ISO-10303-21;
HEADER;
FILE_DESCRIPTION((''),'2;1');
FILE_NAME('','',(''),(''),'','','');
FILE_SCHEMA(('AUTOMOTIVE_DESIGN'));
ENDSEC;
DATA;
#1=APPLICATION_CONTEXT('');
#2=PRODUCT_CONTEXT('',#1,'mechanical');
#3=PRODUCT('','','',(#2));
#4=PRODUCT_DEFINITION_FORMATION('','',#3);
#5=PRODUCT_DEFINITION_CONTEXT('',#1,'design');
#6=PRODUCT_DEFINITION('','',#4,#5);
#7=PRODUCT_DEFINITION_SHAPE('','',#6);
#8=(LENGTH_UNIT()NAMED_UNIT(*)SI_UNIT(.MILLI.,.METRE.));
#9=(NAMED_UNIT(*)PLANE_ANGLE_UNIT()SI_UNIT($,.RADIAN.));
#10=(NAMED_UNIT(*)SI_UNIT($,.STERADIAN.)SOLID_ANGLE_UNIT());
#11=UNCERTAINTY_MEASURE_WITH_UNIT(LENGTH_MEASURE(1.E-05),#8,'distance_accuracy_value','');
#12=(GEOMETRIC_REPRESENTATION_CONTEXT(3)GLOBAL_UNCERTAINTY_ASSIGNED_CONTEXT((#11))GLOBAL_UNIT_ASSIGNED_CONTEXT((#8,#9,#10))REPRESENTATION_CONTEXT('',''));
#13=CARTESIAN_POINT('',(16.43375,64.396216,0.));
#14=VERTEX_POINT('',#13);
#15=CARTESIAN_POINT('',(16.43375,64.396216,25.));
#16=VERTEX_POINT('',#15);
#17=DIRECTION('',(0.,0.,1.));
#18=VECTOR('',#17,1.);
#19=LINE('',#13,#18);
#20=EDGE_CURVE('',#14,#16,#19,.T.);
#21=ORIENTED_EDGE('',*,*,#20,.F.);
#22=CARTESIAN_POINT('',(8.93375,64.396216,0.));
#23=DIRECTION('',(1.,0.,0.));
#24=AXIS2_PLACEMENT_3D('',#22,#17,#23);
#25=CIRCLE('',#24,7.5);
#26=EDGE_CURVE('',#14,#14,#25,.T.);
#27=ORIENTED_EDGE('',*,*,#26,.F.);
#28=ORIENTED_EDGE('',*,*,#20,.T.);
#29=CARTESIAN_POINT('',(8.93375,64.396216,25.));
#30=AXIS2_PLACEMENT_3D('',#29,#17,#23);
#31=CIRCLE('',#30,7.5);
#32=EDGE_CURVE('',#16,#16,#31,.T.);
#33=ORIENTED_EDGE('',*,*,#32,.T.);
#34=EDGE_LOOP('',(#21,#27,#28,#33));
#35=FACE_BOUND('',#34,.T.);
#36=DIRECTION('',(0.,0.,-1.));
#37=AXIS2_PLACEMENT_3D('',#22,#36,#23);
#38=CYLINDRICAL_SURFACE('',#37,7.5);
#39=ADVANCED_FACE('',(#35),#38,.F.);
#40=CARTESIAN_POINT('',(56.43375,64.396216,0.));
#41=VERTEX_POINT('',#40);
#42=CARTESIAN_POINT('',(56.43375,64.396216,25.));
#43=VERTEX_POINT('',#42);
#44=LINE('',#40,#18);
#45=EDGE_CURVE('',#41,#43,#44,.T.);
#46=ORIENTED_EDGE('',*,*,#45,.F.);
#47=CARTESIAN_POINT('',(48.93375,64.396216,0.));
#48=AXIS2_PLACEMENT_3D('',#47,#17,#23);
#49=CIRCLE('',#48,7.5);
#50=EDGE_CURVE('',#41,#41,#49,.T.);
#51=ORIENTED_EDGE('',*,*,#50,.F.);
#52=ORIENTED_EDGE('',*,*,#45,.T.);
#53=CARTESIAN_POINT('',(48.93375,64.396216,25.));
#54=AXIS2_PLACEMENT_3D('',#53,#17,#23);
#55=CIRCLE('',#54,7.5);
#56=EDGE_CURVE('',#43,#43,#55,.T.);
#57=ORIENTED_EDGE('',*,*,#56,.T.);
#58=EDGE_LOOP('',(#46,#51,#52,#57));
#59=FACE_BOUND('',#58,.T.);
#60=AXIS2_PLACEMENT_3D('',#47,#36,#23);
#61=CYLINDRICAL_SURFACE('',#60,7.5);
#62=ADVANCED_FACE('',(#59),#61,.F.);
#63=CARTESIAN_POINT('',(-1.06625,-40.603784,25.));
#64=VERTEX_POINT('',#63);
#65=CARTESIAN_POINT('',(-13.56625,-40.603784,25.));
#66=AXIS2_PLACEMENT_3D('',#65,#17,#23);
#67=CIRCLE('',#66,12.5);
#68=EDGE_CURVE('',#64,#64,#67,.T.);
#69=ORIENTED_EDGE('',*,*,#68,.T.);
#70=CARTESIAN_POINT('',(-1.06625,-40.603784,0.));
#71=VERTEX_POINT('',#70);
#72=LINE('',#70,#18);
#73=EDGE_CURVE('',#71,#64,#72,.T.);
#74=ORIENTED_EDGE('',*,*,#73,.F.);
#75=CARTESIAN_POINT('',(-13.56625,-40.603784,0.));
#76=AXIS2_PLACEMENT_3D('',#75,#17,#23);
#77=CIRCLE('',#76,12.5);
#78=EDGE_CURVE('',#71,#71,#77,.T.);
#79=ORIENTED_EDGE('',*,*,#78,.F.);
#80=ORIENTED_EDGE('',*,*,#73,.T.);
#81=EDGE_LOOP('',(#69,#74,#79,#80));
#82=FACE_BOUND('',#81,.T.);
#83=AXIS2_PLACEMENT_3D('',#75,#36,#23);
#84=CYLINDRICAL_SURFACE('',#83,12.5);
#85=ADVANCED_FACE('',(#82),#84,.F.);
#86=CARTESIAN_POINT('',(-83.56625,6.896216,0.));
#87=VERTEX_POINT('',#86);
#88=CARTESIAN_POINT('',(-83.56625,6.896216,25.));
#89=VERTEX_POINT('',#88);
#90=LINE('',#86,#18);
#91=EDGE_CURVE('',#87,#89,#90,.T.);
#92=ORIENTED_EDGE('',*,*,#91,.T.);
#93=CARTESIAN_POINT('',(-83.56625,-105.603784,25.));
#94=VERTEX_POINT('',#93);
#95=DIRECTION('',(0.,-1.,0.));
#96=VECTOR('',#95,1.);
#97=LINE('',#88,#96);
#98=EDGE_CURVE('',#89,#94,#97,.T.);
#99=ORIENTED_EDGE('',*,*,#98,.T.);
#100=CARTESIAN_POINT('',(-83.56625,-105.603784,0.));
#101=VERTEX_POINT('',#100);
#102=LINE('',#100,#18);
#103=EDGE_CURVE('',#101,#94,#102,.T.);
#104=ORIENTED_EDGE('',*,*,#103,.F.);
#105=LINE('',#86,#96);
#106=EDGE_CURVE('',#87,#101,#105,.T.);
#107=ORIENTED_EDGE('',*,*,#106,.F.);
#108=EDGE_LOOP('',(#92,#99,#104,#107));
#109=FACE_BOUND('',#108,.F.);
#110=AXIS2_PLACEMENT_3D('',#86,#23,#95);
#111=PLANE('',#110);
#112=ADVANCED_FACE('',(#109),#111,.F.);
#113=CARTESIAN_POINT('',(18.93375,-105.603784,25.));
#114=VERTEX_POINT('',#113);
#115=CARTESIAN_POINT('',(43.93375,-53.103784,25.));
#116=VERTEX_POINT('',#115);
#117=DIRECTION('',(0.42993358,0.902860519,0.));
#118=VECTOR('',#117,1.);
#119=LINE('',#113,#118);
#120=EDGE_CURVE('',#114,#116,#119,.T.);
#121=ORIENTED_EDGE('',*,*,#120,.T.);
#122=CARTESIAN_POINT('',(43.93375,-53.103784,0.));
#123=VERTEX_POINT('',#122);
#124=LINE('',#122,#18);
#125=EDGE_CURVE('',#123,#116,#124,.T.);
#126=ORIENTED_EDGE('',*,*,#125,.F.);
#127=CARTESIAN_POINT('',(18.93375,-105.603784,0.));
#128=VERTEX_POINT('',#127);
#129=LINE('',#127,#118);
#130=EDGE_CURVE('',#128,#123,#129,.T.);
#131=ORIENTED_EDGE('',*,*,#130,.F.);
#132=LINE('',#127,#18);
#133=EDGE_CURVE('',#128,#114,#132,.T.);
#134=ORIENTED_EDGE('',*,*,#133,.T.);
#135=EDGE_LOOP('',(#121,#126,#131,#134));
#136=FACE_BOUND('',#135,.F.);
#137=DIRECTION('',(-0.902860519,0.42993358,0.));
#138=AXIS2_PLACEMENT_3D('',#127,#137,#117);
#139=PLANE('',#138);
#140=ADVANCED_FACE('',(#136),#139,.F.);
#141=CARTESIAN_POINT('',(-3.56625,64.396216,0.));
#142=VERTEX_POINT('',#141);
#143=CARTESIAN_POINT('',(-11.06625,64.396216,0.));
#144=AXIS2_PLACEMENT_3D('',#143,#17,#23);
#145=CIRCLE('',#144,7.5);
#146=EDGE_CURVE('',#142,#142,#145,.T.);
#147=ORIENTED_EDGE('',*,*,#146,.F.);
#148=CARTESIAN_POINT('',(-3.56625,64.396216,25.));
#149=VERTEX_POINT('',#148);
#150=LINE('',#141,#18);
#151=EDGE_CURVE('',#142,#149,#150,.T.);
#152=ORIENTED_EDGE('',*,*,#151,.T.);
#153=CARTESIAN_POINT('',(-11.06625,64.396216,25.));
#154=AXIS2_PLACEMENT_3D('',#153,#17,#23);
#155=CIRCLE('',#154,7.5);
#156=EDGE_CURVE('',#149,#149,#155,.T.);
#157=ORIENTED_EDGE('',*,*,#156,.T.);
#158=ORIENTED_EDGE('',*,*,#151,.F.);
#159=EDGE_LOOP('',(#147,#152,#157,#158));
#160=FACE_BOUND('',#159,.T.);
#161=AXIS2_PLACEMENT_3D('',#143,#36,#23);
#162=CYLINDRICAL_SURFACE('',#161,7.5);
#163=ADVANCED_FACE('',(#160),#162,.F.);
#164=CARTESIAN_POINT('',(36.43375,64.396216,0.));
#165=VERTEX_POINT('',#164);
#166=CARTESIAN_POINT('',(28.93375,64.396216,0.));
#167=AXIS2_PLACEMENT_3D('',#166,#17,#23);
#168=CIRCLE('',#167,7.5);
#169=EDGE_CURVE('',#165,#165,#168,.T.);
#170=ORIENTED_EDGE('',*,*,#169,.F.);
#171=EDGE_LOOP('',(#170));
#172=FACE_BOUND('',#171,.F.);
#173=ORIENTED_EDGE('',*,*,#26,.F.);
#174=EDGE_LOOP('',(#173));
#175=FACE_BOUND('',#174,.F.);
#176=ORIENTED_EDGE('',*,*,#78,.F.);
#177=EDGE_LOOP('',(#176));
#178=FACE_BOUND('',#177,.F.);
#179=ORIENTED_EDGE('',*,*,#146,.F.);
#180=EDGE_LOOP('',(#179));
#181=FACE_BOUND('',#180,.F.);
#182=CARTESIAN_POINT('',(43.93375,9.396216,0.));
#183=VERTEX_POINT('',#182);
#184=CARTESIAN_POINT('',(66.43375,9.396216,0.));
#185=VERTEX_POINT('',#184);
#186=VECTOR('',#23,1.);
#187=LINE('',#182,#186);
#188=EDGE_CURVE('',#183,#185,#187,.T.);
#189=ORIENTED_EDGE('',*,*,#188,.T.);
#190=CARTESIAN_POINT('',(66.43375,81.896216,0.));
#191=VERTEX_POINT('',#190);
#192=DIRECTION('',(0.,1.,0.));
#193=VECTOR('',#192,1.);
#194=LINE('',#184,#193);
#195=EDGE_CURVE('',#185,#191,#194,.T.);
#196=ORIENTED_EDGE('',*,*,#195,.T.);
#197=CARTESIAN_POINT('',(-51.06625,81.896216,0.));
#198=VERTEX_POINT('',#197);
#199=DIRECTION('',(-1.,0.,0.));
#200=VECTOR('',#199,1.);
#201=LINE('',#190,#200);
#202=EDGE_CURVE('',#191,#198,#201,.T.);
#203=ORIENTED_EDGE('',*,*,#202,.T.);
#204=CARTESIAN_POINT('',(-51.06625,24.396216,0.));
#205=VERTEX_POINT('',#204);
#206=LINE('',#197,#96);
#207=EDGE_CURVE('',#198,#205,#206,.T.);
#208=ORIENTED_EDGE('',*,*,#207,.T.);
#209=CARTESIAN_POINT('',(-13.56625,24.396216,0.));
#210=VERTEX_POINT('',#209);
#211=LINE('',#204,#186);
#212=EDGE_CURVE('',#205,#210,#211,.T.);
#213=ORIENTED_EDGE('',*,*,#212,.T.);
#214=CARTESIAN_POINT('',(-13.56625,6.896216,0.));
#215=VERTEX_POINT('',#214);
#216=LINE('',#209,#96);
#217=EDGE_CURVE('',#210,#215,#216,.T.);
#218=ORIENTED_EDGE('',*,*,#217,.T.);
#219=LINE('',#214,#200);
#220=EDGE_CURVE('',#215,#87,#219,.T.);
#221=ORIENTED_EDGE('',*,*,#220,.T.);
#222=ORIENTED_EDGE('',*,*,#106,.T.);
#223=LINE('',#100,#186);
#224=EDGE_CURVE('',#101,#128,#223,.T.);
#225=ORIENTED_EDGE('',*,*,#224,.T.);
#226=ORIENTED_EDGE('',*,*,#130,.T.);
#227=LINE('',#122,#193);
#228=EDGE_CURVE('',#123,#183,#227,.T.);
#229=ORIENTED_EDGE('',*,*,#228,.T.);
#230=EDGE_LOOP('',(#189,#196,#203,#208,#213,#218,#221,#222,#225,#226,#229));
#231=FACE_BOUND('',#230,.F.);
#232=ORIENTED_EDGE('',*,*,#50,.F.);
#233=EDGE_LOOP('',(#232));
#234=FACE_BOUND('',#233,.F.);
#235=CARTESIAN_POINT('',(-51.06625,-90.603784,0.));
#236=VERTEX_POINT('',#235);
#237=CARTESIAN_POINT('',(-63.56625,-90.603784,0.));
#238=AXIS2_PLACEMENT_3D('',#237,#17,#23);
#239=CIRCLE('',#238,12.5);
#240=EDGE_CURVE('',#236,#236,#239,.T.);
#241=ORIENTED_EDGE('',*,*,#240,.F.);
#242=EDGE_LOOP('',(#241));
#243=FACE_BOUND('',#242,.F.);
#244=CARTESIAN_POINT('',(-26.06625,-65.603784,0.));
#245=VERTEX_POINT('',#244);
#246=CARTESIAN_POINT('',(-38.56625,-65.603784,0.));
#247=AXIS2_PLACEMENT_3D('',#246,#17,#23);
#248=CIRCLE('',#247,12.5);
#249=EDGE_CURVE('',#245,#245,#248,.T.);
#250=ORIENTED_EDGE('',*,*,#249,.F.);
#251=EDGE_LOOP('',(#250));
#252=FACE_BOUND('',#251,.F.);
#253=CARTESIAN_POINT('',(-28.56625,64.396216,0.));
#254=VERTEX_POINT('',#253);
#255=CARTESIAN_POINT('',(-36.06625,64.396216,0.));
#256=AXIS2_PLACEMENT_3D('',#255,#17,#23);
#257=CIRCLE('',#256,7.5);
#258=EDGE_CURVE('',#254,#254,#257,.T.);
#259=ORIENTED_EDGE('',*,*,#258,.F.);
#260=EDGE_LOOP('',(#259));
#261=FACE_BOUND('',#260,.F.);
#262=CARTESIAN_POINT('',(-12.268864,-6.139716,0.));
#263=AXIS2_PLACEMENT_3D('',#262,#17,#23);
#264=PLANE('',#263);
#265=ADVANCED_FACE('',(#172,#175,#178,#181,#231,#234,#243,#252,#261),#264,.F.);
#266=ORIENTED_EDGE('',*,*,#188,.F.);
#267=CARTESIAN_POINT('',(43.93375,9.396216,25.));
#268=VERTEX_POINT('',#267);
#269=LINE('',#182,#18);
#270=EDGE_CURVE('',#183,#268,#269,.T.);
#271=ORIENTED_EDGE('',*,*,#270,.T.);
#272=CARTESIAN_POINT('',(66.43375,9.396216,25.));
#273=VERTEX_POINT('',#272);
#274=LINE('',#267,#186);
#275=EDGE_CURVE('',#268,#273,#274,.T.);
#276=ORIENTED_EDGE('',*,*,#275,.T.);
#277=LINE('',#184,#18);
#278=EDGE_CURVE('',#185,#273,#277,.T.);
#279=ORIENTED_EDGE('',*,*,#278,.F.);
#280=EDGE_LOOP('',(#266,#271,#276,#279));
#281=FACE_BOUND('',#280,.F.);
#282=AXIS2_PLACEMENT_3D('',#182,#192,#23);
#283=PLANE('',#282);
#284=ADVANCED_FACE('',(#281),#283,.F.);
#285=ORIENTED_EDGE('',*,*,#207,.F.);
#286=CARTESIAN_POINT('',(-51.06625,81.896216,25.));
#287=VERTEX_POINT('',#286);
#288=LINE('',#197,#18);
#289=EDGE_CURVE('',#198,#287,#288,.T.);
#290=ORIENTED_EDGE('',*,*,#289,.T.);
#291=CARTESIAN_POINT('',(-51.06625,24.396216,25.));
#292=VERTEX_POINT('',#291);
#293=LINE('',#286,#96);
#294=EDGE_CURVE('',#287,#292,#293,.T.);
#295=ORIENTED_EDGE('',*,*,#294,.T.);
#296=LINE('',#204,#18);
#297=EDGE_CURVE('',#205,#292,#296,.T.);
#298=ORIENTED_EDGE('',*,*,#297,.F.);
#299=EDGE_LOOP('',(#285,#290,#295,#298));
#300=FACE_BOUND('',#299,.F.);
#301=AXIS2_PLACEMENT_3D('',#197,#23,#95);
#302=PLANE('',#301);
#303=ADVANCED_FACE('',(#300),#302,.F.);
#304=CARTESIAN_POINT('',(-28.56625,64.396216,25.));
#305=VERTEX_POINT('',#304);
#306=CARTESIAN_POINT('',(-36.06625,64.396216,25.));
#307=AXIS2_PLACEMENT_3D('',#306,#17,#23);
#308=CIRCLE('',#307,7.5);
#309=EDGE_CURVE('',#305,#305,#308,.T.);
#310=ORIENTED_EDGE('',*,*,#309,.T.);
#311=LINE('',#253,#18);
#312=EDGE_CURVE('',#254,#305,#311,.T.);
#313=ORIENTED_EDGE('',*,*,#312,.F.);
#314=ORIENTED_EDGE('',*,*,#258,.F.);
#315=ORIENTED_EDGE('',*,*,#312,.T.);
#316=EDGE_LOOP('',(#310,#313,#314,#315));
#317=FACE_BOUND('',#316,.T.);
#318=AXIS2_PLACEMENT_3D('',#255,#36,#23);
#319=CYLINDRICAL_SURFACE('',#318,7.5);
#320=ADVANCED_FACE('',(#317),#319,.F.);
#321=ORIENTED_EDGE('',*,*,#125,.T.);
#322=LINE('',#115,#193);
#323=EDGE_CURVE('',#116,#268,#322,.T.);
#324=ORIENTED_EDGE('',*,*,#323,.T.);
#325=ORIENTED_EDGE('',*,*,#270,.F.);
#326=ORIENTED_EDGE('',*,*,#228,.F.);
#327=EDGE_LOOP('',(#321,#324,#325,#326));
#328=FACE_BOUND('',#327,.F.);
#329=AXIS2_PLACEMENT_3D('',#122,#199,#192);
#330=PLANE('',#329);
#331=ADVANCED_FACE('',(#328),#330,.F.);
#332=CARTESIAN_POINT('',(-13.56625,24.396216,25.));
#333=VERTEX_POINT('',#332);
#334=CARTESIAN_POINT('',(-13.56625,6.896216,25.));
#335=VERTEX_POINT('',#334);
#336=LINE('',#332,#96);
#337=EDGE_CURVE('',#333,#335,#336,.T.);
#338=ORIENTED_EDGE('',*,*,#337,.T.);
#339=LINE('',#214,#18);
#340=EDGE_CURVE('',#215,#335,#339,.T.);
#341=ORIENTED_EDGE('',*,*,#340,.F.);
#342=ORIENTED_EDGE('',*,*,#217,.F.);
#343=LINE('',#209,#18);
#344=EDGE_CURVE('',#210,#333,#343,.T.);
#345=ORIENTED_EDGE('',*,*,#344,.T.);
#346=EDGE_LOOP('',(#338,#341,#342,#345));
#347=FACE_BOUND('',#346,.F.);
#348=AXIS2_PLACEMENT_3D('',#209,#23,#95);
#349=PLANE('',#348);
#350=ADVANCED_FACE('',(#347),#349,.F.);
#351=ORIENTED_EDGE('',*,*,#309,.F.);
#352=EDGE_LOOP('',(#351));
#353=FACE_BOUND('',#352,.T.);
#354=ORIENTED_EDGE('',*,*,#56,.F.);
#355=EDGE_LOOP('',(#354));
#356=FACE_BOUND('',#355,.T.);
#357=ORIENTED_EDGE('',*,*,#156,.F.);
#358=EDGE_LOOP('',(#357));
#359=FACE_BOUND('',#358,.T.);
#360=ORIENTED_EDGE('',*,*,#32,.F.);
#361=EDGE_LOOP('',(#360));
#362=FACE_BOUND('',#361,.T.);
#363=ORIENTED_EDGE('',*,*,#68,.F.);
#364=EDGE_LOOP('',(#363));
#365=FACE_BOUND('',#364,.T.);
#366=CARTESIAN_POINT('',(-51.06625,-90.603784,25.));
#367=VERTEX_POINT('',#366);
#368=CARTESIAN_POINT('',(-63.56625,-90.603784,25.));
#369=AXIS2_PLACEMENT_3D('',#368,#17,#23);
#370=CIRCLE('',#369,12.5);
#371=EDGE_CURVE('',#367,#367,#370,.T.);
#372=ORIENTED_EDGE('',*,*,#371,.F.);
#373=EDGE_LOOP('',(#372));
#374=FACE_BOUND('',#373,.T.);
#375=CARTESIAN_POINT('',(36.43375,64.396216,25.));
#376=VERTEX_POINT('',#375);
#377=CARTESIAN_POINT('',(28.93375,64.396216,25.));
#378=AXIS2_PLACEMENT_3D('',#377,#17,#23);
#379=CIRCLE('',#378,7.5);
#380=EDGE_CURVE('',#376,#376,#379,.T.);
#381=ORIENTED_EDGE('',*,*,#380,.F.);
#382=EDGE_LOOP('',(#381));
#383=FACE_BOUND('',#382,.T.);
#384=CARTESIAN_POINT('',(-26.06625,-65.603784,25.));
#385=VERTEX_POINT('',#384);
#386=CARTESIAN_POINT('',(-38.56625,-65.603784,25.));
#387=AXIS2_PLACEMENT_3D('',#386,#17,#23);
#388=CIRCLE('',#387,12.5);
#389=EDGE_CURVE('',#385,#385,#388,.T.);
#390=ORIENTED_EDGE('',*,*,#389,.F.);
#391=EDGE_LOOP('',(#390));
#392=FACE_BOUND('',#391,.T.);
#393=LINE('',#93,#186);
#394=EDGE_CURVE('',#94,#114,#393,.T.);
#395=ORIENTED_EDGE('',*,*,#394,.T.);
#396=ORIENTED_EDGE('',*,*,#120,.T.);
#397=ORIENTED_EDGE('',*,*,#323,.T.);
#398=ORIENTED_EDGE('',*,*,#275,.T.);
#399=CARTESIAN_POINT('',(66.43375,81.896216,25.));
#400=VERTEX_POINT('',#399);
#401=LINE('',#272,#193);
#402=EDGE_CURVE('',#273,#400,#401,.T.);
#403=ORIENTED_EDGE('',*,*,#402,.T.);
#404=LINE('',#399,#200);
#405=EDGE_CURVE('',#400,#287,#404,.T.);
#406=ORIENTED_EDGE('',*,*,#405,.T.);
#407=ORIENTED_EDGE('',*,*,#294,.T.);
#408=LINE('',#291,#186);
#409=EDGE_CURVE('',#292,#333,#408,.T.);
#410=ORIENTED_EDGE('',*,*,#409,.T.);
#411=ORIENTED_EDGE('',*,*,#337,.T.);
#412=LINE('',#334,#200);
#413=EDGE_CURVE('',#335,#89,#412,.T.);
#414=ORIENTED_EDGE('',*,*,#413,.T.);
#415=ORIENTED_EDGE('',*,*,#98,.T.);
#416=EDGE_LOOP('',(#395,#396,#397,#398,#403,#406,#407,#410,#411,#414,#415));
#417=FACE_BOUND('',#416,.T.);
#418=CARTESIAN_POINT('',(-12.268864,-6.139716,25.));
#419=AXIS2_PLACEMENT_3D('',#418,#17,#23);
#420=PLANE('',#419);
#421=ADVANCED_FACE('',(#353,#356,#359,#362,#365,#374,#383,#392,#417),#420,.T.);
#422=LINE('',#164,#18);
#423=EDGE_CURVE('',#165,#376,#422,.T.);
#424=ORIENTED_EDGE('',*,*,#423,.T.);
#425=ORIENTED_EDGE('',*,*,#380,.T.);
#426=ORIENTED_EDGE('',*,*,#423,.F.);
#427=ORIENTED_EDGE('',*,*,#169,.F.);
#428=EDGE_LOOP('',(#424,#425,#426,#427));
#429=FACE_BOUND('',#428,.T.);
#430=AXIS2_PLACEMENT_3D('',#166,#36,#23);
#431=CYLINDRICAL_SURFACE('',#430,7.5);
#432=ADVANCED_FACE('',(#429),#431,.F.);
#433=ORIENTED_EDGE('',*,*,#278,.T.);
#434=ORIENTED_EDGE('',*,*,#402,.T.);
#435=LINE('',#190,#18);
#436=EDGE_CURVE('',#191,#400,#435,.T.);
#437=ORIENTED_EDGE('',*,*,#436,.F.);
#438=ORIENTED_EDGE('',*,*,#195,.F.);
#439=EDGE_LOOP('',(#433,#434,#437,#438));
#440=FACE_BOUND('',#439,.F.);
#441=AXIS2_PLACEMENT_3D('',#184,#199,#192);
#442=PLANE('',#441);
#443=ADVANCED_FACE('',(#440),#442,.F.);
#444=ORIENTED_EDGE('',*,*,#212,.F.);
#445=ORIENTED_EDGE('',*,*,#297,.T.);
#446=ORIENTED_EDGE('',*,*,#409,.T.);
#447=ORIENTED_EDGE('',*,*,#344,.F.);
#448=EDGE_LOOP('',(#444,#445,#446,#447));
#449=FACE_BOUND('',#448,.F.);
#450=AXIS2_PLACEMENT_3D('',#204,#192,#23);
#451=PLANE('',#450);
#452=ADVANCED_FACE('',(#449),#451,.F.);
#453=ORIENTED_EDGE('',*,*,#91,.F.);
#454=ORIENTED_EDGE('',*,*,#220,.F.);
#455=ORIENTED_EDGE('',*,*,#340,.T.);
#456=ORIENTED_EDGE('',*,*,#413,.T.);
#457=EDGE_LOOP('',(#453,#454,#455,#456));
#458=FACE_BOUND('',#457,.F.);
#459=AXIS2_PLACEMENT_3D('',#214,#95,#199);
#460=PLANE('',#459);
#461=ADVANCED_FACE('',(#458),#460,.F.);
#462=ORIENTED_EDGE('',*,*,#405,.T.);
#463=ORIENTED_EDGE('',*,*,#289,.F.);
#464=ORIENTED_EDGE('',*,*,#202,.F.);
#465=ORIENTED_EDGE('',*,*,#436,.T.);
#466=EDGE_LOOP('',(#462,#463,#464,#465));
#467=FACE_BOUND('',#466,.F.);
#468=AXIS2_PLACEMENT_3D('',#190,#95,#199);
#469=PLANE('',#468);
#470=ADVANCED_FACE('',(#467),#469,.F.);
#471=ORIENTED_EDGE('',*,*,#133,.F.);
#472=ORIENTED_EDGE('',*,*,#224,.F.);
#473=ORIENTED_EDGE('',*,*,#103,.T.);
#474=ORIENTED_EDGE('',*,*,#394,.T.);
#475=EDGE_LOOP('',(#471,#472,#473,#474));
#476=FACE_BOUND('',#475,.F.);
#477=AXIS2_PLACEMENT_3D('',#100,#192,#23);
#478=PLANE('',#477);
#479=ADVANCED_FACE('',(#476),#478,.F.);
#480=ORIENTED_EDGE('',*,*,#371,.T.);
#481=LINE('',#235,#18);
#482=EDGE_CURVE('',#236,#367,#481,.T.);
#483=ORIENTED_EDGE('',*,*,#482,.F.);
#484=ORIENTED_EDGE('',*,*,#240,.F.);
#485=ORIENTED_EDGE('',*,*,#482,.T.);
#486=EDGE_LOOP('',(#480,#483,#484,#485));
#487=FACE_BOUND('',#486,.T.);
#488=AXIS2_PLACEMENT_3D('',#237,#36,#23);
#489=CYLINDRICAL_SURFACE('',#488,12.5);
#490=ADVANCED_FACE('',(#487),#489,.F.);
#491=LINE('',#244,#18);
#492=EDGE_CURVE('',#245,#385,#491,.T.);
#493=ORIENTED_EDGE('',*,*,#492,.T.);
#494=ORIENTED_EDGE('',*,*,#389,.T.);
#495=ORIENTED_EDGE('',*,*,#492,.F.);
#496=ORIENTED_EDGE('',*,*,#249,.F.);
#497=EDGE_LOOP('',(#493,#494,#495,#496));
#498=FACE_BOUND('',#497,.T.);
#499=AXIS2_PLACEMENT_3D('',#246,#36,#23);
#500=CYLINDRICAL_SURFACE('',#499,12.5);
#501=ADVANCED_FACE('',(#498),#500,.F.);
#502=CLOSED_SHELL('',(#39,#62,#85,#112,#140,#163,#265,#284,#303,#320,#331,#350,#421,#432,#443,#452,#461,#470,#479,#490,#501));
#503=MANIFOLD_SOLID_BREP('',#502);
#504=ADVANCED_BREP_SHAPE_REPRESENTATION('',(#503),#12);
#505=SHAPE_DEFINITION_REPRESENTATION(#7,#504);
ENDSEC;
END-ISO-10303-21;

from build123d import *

# Parameters (mm, degrees)
F0_R     = 12.5
F0_R_2   = 7.5
F1_DEPTH = 25


with BuildPart() as f1:
    # F0 (on Top) → F1 (new body)
    with BuildSketch(Plane.XY):
        Polygon((-83.56625, 6.896216), (-83.56625, -105.603784), (-63.56625, -105.603784), (-38.56625, -105.603784), (-13.56625, -105.603784), (18.93375, -105.603784), (43.93375, -53.103784), (43.93375, 9.396216), (66.43375, 9.396216), (66.43375, 81.896216), (-51.06625, 81.896216), (-51.06625, 24.396216), (-13.56625, 24.396216), (-13.56625, 6.896216), align=None)
        with Locations((-63.56625, -90.603784)):
            Circle(F0_R, mode=Mode.SUBTRACT)
        with Locations((-38.56625, -65.603784)):
            Circle(F0_R, mode=Mode.SUBTRACT)
        with Locations((-13.56625, -40.603784)):
            Circle(F0_R, mode=Mode.SUBTRACT)
        with Locations((-36.06625, 64.396216)):
            Circle(F0_R_2, mode=Mode.SUBTRACT)
        with Locations((-11.06625, 64.396216)):
            Circle(F0_R_2, mode=Mode.SUBTRACT)
        with Locations((8.93375, 64.396216)):
            Circle(F0_R_2, mode=Mode.SUBTRACT)
        with Locations((28.93375, 64.396216)):
            Circle(F0_R_2, mode=Mode.SUBTRACT)
        with Locations((48.93375, 64.396216)):
            Circle(F0_R_2, mode=Mode.SUBTRACT)
    extrude(amount=F1_DEPTH)


solid = f1.part
